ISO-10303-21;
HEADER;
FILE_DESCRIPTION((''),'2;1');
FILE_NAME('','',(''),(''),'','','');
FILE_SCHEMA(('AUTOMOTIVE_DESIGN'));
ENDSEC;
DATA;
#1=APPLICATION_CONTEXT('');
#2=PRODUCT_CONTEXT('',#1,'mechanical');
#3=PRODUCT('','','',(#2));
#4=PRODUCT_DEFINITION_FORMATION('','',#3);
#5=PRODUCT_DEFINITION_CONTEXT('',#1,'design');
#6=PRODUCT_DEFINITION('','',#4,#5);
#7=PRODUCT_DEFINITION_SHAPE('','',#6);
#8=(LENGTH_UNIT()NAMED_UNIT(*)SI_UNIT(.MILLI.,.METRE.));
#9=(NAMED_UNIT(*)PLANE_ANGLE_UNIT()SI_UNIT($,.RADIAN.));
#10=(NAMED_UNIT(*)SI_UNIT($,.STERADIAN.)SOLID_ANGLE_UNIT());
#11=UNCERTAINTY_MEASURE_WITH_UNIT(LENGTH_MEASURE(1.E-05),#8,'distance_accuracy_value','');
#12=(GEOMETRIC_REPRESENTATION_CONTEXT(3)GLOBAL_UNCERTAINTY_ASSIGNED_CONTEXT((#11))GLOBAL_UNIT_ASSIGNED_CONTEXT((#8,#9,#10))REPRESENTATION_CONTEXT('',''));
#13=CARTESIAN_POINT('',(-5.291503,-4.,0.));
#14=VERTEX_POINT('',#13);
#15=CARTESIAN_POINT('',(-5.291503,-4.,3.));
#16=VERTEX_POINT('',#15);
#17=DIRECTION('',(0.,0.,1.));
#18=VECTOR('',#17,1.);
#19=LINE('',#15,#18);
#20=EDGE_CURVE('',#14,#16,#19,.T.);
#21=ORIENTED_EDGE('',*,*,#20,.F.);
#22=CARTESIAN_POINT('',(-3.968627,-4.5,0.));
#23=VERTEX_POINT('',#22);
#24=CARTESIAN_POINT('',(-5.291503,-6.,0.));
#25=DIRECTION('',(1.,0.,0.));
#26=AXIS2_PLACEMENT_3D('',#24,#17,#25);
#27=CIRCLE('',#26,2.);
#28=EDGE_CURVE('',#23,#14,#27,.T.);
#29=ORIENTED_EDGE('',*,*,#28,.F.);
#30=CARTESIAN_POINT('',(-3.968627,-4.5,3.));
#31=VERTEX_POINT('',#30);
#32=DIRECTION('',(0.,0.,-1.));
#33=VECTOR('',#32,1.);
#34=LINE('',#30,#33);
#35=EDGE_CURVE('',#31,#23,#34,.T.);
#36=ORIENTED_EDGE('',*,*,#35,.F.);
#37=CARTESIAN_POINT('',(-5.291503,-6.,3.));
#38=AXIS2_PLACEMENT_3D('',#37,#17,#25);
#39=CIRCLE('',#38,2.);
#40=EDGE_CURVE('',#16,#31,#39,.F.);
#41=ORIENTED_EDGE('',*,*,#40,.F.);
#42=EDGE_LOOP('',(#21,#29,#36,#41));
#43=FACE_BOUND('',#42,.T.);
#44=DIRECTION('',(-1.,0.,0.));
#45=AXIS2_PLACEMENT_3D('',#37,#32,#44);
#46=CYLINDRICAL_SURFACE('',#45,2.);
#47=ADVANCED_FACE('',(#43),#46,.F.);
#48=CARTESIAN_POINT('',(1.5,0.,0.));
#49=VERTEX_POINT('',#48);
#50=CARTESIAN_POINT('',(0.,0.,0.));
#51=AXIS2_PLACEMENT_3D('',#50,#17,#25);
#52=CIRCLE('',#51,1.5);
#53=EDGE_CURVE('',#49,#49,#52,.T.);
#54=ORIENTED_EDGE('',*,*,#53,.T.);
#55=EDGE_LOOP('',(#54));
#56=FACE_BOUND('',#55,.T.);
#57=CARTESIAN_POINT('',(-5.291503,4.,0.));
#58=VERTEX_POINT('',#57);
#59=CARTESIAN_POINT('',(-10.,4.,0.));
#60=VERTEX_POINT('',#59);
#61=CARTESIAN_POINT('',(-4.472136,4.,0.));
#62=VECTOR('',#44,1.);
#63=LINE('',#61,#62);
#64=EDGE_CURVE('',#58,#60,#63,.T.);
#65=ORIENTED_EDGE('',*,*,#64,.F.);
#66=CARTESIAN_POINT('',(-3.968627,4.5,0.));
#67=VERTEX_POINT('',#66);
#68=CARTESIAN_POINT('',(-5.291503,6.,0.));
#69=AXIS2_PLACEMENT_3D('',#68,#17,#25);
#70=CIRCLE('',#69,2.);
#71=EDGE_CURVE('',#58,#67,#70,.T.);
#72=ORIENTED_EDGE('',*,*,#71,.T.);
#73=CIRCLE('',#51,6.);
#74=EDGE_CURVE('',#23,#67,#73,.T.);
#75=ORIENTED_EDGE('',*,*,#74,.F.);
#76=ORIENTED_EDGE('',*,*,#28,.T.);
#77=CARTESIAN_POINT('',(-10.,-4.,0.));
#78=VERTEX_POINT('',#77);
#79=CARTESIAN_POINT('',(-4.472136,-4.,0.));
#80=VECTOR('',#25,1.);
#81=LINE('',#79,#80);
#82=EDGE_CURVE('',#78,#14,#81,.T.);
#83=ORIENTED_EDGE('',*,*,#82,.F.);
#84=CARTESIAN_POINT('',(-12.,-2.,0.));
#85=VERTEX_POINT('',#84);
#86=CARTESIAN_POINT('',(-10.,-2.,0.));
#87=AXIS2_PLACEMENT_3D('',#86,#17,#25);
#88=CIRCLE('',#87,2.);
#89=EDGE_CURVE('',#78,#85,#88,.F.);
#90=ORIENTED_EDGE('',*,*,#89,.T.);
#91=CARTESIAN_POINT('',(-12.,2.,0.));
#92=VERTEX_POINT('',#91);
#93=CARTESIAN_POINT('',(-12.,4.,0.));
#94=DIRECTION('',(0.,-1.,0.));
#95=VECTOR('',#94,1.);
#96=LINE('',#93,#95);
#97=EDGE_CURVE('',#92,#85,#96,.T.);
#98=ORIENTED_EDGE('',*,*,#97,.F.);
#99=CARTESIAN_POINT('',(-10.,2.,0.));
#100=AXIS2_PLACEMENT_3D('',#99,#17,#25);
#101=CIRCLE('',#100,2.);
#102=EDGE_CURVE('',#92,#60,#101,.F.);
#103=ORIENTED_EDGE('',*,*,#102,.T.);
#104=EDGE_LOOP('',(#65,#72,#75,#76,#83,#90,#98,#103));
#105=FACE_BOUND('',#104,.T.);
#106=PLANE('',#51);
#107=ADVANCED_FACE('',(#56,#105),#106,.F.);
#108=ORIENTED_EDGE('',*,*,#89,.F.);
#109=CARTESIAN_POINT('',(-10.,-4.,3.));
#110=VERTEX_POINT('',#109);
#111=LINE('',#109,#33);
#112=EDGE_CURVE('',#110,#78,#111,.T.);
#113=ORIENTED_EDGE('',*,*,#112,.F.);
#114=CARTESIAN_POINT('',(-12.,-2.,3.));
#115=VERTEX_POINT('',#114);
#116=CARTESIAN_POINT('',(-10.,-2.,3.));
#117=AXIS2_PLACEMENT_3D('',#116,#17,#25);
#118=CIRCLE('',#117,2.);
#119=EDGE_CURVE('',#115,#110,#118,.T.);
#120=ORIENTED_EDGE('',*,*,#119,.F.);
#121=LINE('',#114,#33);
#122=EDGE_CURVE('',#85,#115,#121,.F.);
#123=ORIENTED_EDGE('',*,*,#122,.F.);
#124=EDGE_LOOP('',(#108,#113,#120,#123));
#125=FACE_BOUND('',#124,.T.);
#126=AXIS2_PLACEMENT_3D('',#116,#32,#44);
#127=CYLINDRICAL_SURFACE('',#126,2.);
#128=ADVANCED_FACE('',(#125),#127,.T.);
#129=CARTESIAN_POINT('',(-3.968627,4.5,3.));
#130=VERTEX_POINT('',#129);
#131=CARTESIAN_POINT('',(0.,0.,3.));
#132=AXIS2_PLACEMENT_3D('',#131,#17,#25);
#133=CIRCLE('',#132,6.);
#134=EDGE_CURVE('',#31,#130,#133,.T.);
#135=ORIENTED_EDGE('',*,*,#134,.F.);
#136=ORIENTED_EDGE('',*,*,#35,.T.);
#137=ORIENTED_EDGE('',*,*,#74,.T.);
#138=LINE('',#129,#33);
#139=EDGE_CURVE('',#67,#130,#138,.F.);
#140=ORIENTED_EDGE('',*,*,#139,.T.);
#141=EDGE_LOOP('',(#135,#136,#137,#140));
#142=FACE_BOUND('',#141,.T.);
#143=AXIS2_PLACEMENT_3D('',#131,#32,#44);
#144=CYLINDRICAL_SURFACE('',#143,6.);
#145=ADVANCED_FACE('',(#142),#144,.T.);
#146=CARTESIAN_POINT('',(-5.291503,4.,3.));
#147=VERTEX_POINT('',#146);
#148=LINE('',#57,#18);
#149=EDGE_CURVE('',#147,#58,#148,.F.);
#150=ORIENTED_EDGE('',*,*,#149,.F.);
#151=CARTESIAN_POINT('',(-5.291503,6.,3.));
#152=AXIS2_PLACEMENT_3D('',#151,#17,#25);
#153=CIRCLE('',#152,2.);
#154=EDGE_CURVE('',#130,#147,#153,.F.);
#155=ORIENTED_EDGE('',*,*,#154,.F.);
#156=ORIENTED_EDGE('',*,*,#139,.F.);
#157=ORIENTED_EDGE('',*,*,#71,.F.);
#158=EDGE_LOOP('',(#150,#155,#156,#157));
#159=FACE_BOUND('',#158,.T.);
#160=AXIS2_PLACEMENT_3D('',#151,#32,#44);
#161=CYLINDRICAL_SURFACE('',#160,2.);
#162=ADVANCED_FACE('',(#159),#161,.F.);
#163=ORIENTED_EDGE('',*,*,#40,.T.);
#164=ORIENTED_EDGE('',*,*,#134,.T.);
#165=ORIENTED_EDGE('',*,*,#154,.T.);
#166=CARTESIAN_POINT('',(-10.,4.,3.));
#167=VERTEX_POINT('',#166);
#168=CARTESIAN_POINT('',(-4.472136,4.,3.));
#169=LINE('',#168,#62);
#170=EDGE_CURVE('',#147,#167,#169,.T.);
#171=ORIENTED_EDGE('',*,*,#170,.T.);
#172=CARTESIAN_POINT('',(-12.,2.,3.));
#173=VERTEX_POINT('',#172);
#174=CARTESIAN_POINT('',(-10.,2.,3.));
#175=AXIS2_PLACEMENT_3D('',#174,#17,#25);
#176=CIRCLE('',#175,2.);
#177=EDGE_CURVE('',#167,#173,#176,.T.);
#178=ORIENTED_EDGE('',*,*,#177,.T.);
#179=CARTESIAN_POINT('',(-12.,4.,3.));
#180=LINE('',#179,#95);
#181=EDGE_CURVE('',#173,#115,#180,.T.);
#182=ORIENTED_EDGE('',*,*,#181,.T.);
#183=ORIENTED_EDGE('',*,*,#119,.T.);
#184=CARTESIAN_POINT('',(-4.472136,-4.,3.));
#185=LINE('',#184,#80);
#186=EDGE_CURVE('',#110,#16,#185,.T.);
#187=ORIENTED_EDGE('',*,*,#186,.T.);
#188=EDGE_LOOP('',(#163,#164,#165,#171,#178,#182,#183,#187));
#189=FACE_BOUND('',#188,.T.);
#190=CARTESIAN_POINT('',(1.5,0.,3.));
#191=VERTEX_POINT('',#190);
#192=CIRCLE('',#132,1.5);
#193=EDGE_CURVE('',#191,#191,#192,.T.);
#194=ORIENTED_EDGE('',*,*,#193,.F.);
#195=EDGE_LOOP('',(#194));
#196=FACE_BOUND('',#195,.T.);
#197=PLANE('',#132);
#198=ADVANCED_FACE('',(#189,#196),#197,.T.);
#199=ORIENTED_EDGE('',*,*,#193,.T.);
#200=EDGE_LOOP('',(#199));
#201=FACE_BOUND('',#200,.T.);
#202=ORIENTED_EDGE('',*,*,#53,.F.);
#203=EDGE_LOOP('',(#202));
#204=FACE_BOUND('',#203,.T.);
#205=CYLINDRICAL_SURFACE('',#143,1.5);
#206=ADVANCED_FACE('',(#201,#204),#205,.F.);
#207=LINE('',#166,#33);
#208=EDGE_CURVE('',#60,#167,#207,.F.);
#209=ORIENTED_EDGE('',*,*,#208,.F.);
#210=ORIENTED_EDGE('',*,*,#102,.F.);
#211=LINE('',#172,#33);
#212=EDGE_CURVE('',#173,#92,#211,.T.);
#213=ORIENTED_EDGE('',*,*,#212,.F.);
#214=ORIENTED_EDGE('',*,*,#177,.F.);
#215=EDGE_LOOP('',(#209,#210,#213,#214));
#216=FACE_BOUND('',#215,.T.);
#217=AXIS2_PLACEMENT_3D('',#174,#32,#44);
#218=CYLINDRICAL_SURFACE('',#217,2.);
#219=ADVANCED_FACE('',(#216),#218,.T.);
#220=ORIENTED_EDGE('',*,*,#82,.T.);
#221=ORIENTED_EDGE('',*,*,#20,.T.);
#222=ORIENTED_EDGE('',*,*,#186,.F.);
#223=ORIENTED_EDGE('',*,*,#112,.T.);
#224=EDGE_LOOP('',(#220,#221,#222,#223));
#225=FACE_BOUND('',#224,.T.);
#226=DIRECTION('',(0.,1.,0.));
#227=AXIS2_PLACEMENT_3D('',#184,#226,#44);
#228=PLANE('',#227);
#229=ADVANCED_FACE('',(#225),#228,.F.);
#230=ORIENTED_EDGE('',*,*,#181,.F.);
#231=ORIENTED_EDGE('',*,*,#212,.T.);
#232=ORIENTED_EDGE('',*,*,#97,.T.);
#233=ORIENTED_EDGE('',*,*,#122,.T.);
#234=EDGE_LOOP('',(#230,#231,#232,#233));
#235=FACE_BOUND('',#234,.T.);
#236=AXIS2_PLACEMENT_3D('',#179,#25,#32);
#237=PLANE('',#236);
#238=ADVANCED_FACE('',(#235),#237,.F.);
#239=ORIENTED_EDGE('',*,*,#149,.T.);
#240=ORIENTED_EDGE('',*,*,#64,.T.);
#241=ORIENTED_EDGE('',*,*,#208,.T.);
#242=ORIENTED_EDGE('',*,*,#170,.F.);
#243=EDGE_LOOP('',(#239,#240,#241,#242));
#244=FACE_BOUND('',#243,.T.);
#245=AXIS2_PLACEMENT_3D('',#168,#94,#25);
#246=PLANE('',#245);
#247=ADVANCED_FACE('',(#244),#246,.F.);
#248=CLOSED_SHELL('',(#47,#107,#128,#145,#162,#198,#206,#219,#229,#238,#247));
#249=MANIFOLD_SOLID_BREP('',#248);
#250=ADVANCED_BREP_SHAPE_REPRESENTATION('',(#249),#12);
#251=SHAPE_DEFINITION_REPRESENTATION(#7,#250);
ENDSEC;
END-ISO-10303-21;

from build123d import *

# Parameters (mm, degrees)
SKETCH1_R           = 1.5
BOSS_EXTRUDE1_DEPTH = 3
FILLET1_R           = 2


with BuildPart() as part:
    # Sketch1 → Boss-Extrude1 (new body)
    with BuildSketch(Plane.XY):
        with BuildLine():
            Line((-4.472135955, 4), (-12, 4))
            Line((-12, 4), (-12, -4))
            Line((-12, -4), (-4.472135955, -4))
            ThreePointArc((-4.472135955, -4), (6, 0), (-4.472135955, 4))
        make_face()
        Circle(SKETCH1_R, mode=Mode.SUBTRACT)
    extrude(amount=BOSS_EXTRUDE1_DEPTH)

    # Fillet1
    fillet1_edges = [part.edges().sort_by_distance(p)[0] for p in [
        (-4.472135955, -4, 1.5),
        (-12, -4, 1.5),
        (-12, 4, 1.5),
        (-4.472135955, 4, 1.5),
    ]]
    fillet(fillet1_edges, radius=FILLET1_R)


solid = part.part
